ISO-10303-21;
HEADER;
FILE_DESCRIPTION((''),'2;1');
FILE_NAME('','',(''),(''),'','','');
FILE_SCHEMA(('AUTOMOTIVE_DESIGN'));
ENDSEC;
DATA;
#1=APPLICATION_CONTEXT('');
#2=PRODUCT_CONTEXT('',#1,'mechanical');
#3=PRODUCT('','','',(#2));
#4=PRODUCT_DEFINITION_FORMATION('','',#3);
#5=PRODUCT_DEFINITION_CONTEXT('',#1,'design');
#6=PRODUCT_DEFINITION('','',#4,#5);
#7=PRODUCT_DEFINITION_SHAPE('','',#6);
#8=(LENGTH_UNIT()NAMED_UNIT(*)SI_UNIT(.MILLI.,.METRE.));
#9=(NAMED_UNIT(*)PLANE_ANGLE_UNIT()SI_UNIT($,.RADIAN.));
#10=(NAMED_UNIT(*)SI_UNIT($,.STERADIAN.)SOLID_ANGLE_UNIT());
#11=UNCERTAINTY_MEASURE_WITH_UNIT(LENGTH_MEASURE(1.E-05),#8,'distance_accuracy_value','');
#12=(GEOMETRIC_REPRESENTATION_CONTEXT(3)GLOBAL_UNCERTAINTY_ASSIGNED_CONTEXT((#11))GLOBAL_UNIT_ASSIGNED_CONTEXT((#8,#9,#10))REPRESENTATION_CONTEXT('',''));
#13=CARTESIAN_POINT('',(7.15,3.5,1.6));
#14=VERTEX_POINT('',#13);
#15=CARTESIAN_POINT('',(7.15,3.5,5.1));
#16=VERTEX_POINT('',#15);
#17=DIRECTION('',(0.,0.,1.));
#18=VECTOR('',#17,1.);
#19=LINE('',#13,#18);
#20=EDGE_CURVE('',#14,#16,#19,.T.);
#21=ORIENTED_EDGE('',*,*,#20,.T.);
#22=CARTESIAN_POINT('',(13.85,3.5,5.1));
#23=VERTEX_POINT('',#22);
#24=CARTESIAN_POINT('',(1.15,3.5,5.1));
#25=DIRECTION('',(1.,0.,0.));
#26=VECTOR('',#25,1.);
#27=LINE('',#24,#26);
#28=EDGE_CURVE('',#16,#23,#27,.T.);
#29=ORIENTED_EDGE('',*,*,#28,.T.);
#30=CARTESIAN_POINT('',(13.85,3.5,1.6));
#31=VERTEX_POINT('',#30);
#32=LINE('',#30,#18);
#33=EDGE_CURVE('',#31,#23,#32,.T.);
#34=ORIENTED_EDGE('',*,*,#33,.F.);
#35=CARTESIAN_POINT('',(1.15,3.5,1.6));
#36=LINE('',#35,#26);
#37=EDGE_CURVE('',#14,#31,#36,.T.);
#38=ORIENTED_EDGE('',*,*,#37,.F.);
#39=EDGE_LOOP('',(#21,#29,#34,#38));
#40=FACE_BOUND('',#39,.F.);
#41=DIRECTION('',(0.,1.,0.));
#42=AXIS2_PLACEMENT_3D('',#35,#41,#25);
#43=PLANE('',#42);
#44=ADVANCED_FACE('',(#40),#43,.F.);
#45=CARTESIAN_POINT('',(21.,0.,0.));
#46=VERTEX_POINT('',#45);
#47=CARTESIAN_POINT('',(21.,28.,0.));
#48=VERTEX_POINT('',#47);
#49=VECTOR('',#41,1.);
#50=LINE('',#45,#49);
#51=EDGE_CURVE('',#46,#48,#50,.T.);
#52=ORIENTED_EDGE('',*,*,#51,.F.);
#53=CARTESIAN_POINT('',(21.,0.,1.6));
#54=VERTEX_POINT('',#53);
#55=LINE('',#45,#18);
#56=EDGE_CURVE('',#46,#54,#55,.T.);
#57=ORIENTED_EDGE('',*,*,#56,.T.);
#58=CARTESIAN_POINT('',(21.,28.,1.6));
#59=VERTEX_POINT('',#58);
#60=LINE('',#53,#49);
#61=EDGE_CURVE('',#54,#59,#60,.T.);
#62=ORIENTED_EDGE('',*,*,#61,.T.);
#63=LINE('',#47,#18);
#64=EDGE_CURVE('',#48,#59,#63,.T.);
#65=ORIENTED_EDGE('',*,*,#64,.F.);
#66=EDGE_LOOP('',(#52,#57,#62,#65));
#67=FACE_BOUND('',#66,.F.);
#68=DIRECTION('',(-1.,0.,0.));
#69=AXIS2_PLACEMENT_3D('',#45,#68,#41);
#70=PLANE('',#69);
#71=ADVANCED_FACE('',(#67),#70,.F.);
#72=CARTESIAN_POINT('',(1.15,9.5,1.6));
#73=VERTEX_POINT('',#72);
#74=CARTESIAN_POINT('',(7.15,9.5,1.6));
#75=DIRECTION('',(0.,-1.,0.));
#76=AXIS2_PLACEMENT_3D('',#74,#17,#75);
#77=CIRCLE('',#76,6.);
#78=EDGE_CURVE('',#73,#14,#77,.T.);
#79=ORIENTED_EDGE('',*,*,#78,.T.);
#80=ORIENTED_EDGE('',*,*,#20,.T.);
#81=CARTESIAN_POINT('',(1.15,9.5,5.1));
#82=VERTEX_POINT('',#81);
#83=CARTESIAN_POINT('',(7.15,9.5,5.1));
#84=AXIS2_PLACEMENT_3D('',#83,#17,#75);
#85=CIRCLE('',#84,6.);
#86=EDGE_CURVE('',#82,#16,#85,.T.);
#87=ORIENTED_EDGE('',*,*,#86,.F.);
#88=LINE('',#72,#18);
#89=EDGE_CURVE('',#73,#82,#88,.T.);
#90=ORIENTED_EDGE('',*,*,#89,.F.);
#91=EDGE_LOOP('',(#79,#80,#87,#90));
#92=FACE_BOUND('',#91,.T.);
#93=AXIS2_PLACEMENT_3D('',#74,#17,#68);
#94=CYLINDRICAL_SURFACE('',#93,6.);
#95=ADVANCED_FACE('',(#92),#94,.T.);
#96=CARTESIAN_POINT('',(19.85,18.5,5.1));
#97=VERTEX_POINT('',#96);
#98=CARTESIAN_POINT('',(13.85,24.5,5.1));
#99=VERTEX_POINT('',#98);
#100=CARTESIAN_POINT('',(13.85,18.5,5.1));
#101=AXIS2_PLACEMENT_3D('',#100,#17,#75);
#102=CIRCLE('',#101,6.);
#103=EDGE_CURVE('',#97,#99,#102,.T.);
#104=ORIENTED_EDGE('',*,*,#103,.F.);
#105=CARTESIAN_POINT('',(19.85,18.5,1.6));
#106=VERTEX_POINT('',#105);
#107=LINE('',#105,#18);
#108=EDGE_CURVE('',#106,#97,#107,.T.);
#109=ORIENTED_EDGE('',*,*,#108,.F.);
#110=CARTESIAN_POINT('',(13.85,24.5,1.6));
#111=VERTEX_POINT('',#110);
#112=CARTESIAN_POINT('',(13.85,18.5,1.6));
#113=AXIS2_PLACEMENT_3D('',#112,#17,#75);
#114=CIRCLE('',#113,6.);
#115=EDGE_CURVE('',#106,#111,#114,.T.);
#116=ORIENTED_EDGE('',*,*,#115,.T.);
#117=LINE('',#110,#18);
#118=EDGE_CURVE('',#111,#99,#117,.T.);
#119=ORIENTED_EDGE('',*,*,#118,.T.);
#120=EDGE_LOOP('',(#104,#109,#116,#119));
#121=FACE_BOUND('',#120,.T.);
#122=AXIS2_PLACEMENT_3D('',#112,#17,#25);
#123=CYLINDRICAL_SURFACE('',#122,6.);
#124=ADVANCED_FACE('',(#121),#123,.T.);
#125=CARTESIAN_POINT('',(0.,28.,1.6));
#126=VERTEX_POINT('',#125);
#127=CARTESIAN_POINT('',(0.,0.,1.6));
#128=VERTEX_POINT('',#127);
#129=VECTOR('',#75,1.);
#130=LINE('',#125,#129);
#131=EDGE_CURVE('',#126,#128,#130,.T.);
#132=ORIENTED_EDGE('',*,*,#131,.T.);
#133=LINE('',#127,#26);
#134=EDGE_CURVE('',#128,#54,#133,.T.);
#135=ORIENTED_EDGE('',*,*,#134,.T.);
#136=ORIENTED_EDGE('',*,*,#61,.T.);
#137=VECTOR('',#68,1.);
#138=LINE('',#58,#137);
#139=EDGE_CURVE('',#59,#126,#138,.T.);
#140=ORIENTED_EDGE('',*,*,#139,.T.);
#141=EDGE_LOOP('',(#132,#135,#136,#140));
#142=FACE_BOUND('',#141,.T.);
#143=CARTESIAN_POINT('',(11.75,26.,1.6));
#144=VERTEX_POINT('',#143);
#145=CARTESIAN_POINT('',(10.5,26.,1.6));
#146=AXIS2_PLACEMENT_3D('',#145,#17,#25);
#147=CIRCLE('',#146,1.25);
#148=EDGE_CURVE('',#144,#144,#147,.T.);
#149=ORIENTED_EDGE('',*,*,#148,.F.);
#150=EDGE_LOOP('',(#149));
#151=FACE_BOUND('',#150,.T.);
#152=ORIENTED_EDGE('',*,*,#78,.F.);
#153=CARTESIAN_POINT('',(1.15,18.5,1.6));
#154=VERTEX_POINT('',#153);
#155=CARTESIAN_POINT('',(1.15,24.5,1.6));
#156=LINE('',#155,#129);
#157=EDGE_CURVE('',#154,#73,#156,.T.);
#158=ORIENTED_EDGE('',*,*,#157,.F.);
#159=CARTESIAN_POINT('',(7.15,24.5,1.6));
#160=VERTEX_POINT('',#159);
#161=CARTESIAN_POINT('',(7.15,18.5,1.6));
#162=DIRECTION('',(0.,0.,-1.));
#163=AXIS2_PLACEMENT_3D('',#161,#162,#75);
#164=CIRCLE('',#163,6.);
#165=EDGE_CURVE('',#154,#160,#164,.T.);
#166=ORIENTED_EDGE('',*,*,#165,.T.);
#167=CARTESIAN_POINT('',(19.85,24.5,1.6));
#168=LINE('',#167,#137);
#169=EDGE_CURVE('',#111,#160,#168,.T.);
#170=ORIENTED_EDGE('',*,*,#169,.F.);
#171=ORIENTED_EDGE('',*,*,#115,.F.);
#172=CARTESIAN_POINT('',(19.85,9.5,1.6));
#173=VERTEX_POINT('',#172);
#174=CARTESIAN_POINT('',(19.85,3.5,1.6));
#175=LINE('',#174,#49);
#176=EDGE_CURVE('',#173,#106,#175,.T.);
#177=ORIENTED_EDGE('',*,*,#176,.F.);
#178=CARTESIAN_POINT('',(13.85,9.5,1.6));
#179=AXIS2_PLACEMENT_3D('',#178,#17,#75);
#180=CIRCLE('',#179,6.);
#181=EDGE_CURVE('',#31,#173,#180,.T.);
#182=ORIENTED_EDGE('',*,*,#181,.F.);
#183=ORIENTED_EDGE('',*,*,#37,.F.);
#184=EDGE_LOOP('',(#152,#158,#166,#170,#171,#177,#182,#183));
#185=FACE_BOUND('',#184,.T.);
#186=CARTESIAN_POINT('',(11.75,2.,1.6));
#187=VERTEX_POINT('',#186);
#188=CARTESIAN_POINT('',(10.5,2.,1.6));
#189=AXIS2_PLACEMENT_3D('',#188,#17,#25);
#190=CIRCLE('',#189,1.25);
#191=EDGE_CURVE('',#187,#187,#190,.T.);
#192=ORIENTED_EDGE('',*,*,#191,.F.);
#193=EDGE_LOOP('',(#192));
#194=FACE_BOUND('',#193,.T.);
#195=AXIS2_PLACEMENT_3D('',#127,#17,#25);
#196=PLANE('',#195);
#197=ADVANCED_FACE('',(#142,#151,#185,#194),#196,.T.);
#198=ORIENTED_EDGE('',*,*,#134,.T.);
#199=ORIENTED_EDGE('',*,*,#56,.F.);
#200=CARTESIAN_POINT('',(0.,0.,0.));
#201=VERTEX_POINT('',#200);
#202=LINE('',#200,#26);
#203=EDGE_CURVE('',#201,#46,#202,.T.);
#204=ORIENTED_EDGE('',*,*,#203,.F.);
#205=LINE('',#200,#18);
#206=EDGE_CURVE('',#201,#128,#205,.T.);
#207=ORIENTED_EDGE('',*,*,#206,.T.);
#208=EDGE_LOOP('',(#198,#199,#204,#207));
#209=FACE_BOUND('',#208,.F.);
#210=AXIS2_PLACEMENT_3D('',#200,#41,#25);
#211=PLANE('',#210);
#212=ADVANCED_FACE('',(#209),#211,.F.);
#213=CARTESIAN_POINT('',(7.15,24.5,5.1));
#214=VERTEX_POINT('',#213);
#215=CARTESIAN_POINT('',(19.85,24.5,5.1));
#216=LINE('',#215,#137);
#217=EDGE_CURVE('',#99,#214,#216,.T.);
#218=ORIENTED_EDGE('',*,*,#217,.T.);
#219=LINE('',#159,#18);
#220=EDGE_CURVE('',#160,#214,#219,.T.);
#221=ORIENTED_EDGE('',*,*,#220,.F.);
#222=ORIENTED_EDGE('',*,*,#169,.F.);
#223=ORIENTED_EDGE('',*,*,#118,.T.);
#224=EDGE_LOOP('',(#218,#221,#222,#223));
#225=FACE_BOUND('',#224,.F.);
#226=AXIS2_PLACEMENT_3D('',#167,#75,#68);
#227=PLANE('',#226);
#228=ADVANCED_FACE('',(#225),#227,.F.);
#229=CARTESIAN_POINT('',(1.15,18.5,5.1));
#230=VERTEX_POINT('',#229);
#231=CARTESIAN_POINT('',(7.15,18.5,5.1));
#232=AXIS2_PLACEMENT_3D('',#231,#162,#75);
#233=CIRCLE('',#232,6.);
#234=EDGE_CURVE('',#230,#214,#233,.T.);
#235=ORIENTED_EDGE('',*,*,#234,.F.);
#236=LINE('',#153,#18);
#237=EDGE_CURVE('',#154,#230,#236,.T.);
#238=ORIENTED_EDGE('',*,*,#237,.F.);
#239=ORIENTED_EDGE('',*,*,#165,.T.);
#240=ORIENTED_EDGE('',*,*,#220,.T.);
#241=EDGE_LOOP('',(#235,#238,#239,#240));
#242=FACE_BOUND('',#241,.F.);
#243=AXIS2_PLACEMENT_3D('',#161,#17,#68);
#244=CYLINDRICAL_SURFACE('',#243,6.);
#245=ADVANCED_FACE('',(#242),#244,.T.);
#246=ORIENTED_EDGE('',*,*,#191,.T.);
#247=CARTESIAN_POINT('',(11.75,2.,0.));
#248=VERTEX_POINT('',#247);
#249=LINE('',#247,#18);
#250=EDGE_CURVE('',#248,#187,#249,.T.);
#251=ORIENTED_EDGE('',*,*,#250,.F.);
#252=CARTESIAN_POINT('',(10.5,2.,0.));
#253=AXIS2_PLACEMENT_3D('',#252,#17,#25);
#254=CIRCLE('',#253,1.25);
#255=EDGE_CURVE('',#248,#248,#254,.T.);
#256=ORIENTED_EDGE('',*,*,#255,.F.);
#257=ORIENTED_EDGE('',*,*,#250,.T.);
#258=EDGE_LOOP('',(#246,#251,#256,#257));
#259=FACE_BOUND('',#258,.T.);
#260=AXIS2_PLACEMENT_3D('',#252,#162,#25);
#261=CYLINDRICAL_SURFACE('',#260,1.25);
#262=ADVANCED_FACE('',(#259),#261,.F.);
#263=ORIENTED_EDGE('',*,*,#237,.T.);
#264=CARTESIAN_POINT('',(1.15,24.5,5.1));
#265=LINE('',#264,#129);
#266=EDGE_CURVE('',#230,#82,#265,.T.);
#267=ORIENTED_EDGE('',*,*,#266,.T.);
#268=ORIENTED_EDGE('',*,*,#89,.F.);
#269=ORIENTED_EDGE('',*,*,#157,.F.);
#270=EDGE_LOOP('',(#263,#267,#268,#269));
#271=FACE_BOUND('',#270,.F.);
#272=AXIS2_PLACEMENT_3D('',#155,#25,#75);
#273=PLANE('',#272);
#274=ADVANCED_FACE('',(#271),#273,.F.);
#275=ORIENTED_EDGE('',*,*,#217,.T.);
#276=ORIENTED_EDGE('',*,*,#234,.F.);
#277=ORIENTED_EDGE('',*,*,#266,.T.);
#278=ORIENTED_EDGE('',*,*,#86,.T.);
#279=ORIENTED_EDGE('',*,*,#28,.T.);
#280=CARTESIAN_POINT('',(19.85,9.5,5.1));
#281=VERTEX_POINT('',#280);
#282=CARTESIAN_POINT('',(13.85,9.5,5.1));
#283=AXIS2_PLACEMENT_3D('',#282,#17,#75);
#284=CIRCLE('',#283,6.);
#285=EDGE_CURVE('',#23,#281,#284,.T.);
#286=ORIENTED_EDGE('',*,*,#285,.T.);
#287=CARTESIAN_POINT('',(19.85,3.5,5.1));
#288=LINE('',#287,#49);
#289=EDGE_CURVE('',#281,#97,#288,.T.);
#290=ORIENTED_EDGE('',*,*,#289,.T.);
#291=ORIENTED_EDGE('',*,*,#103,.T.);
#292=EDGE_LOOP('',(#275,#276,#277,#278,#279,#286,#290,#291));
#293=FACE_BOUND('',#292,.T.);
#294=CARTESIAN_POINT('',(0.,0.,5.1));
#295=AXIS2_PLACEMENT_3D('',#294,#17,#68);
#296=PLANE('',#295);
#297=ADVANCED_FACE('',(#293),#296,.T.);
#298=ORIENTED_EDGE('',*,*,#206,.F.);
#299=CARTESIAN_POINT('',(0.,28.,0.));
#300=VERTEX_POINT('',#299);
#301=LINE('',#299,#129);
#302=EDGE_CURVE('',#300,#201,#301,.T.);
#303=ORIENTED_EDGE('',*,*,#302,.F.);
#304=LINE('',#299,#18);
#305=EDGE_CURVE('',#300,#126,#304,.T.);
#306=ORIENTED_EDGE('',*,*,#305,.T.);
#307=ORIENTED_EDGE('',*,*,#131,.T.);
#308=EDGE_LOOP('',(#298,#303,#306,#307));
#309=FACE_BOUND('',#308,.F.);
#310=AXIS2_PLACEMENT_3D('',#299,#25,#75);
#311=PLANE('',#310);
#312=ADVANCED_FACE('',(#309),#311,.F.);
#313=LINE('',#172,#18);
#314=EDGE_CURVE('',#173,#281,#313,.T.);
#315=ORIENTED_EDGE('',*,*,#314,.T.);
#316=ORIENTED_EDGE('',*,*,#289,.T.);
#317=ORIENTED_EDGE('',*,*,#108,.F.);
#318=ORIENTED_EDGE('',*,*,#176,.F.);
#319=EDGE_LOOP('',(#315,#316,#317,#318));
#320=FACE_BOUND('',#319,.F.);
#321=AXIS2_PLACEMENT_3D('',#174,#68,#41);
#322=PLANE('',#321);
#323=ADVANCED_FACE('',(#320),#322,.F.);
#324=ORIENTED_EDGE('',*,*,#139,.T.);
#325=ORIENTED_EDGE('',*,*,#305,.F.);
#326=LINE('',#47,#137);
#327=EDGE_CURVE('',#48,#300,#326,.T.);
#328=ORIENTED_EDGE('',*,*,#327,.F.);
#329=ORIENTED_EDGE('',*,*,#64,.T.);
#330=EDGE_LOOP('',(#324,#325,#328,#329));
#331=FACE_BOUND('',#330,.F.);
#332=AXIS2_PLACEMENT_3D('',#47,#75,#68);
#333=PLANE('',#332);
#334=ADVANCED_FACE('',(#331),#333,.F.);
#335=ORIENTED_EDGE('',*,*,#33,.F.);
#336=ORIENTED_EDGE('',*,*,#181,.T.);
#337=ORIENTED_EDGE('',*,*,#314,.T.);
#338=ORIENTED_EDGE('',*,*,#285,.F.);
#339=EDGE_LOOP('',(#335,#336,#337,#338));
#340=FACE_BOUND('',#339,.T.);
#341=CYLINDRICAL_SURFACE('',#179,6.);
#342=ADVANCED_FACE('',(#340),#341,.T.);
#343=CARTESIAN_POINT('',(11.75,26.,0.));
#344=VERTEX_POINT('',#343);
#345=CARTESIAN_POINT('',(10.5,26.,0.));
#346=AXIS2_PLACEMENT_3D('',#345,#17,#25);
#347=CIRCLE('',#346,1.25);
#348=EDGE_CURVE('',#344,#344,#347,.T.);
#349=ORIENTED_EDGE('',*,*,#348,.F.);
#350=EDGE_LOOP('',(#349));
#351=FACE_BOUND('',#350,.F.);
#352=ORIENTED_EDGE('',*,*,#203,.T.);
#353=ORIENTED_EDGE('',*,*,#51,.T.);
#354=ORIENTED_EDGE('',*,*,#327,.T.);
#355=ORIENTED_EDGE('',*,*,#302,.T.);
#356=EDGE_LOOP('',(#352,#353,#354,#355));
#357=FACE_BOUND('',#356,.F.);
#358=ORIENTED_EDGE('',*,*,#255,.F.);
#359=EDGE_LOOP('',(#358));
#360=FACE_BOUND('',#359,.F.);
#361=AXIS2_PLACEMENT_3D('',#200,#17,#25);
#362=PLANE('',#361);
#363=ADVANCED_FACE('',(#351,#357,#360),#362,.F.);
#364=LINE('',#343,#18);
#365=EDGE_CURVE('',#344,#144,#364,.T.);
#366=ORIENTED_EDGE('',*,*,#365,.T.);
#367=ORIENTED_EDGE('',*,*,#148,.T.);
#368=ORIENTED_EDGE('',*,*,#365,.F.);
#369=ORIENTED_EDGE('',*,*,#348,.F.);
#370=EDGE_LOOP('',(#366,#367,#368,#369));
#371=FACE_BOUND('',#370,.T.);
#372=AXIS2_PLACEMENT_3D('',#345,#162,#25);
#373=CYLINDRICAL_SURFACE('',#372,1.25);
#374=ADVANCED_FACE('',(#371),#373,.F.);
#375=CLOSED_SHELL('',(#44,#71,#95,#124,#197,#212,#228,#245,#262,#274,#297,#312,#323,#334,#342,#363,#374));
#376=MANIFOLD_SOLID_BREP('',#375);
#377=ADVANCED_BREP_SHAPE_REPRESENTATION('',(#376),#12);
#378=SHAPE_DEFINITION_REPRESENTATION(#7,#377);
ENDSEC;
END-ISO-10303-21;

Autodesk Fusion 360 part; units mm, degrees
sketch "Sketch1" plane through (0, 0, 0) normal (0, 0, 1) x (1, 0, 0)
  line L0 (0, 0) -> (0, 28) construction
  line L1 (0, 28) -> (21, 28) construction
  line L2 (21, 28) -> (0, 28) construction
  line L3 (0, 28) -> (0, 0) construction
  line L4 (0, 0) -> (21, 0) construction
  line L5 (21, 0) -> (21, 28) construction
  line L6 (10.5, 0) -> (10.5, 28) construction
  line L7 (10.5, 0) -> (10.5, 2) construction
  line L8 (10.5, 28) -> (10.5, 26) construction
  circle A0 centre (10.5, 26) radius 1.25 construction
  circle A1 centre (10.5, 2) radius 1.25 construction
  line L9 (21, 28) -> (0, 28)
  line L10 (0, 28) -> (0, 0)
  line L11 (0, 0) -> (21, 0)
  line L12 (21, 0) -> (21, 28)
  circle A2 centre (10.5, 2) radius 1.25
  circle A3 centre (10.5, 26) radius 1.25
  dimension "d38" = 28
  dimension "d39" = 21
  dimension "d40" = 2
  dimension "d41" = 2
  dimension "d42" = 2.5
  dimension "d43" = 2.5
extrude "Extrude1" add sketch "Sketch1" along normal blind 1.6
sketch "Sketch2" plane through (0, 0, 1.6) normal (0, 0, 1) x (-1, 0, 0)
  circle A0 centre (-10.5, -26) radius 1.25
  circle A1 centre (-10.5, -2) radius 1.25
  line L0 (-21, 0) -> (-21, -28)
  line L1 (-21, -28) -> (0, -28)
  line L2 (0, -28) -> (0, 0)
  line L3 (0, 0) -> (-21, 0)
  line L4 (0, -14) -> (-21, -14) construction
  line L5 (-10.5, -28) -> (-10.5, 0) construction
  line L6 (-10.5, -14) -> (-10.5, -24.5) construction
  line L7 (-10.5, -24.5) -> (-19.85, -24.5) construction
  line L8 (-10.5, -14) -> (-10.5, -3.5) construction
  line L9 (-10.5, -3.5) -> (-1.15, -3.5) construction
  line L10 (-1.15, -3.5) -> (-19.85, -3.5) construction
  line L11 (-19.85, -3.5) -> (-19.85, -24.5) construction
  line L12 (-19.85, -24.5) -> (-1.15, -24.5) construction
  line L13 (-1.15, -24.5) -> (-1.15, -3.5) construction
  line L14 (-1.15, -3.5) -> (-19.85, -3.5)
  line L15 (-19.85, -3.5) -> (-19.85, -24.5)
  line L16 (-19.85, -24.5) -> (-1.15, -24.5)
  line L17 (-1.15, -24.5) -> (-1.15, -3.5)
  dimension "d46" = 10.5
  dimension "d47" = 9.35
  dimension "d48" = 10.5
  dimension "d49" = 9.35
extrude "Extrude2" add sketch "Sketch2" along normal blind 3.5 contours L14 L15 L16 L17
fillet "Fillet1" radius 6 4 edges at (19.85, 3.5, 3.35) (1.15, 3.5, 3.35) (1.15, 24.5, 3.35) (19.85, 24.5, 3.35)
